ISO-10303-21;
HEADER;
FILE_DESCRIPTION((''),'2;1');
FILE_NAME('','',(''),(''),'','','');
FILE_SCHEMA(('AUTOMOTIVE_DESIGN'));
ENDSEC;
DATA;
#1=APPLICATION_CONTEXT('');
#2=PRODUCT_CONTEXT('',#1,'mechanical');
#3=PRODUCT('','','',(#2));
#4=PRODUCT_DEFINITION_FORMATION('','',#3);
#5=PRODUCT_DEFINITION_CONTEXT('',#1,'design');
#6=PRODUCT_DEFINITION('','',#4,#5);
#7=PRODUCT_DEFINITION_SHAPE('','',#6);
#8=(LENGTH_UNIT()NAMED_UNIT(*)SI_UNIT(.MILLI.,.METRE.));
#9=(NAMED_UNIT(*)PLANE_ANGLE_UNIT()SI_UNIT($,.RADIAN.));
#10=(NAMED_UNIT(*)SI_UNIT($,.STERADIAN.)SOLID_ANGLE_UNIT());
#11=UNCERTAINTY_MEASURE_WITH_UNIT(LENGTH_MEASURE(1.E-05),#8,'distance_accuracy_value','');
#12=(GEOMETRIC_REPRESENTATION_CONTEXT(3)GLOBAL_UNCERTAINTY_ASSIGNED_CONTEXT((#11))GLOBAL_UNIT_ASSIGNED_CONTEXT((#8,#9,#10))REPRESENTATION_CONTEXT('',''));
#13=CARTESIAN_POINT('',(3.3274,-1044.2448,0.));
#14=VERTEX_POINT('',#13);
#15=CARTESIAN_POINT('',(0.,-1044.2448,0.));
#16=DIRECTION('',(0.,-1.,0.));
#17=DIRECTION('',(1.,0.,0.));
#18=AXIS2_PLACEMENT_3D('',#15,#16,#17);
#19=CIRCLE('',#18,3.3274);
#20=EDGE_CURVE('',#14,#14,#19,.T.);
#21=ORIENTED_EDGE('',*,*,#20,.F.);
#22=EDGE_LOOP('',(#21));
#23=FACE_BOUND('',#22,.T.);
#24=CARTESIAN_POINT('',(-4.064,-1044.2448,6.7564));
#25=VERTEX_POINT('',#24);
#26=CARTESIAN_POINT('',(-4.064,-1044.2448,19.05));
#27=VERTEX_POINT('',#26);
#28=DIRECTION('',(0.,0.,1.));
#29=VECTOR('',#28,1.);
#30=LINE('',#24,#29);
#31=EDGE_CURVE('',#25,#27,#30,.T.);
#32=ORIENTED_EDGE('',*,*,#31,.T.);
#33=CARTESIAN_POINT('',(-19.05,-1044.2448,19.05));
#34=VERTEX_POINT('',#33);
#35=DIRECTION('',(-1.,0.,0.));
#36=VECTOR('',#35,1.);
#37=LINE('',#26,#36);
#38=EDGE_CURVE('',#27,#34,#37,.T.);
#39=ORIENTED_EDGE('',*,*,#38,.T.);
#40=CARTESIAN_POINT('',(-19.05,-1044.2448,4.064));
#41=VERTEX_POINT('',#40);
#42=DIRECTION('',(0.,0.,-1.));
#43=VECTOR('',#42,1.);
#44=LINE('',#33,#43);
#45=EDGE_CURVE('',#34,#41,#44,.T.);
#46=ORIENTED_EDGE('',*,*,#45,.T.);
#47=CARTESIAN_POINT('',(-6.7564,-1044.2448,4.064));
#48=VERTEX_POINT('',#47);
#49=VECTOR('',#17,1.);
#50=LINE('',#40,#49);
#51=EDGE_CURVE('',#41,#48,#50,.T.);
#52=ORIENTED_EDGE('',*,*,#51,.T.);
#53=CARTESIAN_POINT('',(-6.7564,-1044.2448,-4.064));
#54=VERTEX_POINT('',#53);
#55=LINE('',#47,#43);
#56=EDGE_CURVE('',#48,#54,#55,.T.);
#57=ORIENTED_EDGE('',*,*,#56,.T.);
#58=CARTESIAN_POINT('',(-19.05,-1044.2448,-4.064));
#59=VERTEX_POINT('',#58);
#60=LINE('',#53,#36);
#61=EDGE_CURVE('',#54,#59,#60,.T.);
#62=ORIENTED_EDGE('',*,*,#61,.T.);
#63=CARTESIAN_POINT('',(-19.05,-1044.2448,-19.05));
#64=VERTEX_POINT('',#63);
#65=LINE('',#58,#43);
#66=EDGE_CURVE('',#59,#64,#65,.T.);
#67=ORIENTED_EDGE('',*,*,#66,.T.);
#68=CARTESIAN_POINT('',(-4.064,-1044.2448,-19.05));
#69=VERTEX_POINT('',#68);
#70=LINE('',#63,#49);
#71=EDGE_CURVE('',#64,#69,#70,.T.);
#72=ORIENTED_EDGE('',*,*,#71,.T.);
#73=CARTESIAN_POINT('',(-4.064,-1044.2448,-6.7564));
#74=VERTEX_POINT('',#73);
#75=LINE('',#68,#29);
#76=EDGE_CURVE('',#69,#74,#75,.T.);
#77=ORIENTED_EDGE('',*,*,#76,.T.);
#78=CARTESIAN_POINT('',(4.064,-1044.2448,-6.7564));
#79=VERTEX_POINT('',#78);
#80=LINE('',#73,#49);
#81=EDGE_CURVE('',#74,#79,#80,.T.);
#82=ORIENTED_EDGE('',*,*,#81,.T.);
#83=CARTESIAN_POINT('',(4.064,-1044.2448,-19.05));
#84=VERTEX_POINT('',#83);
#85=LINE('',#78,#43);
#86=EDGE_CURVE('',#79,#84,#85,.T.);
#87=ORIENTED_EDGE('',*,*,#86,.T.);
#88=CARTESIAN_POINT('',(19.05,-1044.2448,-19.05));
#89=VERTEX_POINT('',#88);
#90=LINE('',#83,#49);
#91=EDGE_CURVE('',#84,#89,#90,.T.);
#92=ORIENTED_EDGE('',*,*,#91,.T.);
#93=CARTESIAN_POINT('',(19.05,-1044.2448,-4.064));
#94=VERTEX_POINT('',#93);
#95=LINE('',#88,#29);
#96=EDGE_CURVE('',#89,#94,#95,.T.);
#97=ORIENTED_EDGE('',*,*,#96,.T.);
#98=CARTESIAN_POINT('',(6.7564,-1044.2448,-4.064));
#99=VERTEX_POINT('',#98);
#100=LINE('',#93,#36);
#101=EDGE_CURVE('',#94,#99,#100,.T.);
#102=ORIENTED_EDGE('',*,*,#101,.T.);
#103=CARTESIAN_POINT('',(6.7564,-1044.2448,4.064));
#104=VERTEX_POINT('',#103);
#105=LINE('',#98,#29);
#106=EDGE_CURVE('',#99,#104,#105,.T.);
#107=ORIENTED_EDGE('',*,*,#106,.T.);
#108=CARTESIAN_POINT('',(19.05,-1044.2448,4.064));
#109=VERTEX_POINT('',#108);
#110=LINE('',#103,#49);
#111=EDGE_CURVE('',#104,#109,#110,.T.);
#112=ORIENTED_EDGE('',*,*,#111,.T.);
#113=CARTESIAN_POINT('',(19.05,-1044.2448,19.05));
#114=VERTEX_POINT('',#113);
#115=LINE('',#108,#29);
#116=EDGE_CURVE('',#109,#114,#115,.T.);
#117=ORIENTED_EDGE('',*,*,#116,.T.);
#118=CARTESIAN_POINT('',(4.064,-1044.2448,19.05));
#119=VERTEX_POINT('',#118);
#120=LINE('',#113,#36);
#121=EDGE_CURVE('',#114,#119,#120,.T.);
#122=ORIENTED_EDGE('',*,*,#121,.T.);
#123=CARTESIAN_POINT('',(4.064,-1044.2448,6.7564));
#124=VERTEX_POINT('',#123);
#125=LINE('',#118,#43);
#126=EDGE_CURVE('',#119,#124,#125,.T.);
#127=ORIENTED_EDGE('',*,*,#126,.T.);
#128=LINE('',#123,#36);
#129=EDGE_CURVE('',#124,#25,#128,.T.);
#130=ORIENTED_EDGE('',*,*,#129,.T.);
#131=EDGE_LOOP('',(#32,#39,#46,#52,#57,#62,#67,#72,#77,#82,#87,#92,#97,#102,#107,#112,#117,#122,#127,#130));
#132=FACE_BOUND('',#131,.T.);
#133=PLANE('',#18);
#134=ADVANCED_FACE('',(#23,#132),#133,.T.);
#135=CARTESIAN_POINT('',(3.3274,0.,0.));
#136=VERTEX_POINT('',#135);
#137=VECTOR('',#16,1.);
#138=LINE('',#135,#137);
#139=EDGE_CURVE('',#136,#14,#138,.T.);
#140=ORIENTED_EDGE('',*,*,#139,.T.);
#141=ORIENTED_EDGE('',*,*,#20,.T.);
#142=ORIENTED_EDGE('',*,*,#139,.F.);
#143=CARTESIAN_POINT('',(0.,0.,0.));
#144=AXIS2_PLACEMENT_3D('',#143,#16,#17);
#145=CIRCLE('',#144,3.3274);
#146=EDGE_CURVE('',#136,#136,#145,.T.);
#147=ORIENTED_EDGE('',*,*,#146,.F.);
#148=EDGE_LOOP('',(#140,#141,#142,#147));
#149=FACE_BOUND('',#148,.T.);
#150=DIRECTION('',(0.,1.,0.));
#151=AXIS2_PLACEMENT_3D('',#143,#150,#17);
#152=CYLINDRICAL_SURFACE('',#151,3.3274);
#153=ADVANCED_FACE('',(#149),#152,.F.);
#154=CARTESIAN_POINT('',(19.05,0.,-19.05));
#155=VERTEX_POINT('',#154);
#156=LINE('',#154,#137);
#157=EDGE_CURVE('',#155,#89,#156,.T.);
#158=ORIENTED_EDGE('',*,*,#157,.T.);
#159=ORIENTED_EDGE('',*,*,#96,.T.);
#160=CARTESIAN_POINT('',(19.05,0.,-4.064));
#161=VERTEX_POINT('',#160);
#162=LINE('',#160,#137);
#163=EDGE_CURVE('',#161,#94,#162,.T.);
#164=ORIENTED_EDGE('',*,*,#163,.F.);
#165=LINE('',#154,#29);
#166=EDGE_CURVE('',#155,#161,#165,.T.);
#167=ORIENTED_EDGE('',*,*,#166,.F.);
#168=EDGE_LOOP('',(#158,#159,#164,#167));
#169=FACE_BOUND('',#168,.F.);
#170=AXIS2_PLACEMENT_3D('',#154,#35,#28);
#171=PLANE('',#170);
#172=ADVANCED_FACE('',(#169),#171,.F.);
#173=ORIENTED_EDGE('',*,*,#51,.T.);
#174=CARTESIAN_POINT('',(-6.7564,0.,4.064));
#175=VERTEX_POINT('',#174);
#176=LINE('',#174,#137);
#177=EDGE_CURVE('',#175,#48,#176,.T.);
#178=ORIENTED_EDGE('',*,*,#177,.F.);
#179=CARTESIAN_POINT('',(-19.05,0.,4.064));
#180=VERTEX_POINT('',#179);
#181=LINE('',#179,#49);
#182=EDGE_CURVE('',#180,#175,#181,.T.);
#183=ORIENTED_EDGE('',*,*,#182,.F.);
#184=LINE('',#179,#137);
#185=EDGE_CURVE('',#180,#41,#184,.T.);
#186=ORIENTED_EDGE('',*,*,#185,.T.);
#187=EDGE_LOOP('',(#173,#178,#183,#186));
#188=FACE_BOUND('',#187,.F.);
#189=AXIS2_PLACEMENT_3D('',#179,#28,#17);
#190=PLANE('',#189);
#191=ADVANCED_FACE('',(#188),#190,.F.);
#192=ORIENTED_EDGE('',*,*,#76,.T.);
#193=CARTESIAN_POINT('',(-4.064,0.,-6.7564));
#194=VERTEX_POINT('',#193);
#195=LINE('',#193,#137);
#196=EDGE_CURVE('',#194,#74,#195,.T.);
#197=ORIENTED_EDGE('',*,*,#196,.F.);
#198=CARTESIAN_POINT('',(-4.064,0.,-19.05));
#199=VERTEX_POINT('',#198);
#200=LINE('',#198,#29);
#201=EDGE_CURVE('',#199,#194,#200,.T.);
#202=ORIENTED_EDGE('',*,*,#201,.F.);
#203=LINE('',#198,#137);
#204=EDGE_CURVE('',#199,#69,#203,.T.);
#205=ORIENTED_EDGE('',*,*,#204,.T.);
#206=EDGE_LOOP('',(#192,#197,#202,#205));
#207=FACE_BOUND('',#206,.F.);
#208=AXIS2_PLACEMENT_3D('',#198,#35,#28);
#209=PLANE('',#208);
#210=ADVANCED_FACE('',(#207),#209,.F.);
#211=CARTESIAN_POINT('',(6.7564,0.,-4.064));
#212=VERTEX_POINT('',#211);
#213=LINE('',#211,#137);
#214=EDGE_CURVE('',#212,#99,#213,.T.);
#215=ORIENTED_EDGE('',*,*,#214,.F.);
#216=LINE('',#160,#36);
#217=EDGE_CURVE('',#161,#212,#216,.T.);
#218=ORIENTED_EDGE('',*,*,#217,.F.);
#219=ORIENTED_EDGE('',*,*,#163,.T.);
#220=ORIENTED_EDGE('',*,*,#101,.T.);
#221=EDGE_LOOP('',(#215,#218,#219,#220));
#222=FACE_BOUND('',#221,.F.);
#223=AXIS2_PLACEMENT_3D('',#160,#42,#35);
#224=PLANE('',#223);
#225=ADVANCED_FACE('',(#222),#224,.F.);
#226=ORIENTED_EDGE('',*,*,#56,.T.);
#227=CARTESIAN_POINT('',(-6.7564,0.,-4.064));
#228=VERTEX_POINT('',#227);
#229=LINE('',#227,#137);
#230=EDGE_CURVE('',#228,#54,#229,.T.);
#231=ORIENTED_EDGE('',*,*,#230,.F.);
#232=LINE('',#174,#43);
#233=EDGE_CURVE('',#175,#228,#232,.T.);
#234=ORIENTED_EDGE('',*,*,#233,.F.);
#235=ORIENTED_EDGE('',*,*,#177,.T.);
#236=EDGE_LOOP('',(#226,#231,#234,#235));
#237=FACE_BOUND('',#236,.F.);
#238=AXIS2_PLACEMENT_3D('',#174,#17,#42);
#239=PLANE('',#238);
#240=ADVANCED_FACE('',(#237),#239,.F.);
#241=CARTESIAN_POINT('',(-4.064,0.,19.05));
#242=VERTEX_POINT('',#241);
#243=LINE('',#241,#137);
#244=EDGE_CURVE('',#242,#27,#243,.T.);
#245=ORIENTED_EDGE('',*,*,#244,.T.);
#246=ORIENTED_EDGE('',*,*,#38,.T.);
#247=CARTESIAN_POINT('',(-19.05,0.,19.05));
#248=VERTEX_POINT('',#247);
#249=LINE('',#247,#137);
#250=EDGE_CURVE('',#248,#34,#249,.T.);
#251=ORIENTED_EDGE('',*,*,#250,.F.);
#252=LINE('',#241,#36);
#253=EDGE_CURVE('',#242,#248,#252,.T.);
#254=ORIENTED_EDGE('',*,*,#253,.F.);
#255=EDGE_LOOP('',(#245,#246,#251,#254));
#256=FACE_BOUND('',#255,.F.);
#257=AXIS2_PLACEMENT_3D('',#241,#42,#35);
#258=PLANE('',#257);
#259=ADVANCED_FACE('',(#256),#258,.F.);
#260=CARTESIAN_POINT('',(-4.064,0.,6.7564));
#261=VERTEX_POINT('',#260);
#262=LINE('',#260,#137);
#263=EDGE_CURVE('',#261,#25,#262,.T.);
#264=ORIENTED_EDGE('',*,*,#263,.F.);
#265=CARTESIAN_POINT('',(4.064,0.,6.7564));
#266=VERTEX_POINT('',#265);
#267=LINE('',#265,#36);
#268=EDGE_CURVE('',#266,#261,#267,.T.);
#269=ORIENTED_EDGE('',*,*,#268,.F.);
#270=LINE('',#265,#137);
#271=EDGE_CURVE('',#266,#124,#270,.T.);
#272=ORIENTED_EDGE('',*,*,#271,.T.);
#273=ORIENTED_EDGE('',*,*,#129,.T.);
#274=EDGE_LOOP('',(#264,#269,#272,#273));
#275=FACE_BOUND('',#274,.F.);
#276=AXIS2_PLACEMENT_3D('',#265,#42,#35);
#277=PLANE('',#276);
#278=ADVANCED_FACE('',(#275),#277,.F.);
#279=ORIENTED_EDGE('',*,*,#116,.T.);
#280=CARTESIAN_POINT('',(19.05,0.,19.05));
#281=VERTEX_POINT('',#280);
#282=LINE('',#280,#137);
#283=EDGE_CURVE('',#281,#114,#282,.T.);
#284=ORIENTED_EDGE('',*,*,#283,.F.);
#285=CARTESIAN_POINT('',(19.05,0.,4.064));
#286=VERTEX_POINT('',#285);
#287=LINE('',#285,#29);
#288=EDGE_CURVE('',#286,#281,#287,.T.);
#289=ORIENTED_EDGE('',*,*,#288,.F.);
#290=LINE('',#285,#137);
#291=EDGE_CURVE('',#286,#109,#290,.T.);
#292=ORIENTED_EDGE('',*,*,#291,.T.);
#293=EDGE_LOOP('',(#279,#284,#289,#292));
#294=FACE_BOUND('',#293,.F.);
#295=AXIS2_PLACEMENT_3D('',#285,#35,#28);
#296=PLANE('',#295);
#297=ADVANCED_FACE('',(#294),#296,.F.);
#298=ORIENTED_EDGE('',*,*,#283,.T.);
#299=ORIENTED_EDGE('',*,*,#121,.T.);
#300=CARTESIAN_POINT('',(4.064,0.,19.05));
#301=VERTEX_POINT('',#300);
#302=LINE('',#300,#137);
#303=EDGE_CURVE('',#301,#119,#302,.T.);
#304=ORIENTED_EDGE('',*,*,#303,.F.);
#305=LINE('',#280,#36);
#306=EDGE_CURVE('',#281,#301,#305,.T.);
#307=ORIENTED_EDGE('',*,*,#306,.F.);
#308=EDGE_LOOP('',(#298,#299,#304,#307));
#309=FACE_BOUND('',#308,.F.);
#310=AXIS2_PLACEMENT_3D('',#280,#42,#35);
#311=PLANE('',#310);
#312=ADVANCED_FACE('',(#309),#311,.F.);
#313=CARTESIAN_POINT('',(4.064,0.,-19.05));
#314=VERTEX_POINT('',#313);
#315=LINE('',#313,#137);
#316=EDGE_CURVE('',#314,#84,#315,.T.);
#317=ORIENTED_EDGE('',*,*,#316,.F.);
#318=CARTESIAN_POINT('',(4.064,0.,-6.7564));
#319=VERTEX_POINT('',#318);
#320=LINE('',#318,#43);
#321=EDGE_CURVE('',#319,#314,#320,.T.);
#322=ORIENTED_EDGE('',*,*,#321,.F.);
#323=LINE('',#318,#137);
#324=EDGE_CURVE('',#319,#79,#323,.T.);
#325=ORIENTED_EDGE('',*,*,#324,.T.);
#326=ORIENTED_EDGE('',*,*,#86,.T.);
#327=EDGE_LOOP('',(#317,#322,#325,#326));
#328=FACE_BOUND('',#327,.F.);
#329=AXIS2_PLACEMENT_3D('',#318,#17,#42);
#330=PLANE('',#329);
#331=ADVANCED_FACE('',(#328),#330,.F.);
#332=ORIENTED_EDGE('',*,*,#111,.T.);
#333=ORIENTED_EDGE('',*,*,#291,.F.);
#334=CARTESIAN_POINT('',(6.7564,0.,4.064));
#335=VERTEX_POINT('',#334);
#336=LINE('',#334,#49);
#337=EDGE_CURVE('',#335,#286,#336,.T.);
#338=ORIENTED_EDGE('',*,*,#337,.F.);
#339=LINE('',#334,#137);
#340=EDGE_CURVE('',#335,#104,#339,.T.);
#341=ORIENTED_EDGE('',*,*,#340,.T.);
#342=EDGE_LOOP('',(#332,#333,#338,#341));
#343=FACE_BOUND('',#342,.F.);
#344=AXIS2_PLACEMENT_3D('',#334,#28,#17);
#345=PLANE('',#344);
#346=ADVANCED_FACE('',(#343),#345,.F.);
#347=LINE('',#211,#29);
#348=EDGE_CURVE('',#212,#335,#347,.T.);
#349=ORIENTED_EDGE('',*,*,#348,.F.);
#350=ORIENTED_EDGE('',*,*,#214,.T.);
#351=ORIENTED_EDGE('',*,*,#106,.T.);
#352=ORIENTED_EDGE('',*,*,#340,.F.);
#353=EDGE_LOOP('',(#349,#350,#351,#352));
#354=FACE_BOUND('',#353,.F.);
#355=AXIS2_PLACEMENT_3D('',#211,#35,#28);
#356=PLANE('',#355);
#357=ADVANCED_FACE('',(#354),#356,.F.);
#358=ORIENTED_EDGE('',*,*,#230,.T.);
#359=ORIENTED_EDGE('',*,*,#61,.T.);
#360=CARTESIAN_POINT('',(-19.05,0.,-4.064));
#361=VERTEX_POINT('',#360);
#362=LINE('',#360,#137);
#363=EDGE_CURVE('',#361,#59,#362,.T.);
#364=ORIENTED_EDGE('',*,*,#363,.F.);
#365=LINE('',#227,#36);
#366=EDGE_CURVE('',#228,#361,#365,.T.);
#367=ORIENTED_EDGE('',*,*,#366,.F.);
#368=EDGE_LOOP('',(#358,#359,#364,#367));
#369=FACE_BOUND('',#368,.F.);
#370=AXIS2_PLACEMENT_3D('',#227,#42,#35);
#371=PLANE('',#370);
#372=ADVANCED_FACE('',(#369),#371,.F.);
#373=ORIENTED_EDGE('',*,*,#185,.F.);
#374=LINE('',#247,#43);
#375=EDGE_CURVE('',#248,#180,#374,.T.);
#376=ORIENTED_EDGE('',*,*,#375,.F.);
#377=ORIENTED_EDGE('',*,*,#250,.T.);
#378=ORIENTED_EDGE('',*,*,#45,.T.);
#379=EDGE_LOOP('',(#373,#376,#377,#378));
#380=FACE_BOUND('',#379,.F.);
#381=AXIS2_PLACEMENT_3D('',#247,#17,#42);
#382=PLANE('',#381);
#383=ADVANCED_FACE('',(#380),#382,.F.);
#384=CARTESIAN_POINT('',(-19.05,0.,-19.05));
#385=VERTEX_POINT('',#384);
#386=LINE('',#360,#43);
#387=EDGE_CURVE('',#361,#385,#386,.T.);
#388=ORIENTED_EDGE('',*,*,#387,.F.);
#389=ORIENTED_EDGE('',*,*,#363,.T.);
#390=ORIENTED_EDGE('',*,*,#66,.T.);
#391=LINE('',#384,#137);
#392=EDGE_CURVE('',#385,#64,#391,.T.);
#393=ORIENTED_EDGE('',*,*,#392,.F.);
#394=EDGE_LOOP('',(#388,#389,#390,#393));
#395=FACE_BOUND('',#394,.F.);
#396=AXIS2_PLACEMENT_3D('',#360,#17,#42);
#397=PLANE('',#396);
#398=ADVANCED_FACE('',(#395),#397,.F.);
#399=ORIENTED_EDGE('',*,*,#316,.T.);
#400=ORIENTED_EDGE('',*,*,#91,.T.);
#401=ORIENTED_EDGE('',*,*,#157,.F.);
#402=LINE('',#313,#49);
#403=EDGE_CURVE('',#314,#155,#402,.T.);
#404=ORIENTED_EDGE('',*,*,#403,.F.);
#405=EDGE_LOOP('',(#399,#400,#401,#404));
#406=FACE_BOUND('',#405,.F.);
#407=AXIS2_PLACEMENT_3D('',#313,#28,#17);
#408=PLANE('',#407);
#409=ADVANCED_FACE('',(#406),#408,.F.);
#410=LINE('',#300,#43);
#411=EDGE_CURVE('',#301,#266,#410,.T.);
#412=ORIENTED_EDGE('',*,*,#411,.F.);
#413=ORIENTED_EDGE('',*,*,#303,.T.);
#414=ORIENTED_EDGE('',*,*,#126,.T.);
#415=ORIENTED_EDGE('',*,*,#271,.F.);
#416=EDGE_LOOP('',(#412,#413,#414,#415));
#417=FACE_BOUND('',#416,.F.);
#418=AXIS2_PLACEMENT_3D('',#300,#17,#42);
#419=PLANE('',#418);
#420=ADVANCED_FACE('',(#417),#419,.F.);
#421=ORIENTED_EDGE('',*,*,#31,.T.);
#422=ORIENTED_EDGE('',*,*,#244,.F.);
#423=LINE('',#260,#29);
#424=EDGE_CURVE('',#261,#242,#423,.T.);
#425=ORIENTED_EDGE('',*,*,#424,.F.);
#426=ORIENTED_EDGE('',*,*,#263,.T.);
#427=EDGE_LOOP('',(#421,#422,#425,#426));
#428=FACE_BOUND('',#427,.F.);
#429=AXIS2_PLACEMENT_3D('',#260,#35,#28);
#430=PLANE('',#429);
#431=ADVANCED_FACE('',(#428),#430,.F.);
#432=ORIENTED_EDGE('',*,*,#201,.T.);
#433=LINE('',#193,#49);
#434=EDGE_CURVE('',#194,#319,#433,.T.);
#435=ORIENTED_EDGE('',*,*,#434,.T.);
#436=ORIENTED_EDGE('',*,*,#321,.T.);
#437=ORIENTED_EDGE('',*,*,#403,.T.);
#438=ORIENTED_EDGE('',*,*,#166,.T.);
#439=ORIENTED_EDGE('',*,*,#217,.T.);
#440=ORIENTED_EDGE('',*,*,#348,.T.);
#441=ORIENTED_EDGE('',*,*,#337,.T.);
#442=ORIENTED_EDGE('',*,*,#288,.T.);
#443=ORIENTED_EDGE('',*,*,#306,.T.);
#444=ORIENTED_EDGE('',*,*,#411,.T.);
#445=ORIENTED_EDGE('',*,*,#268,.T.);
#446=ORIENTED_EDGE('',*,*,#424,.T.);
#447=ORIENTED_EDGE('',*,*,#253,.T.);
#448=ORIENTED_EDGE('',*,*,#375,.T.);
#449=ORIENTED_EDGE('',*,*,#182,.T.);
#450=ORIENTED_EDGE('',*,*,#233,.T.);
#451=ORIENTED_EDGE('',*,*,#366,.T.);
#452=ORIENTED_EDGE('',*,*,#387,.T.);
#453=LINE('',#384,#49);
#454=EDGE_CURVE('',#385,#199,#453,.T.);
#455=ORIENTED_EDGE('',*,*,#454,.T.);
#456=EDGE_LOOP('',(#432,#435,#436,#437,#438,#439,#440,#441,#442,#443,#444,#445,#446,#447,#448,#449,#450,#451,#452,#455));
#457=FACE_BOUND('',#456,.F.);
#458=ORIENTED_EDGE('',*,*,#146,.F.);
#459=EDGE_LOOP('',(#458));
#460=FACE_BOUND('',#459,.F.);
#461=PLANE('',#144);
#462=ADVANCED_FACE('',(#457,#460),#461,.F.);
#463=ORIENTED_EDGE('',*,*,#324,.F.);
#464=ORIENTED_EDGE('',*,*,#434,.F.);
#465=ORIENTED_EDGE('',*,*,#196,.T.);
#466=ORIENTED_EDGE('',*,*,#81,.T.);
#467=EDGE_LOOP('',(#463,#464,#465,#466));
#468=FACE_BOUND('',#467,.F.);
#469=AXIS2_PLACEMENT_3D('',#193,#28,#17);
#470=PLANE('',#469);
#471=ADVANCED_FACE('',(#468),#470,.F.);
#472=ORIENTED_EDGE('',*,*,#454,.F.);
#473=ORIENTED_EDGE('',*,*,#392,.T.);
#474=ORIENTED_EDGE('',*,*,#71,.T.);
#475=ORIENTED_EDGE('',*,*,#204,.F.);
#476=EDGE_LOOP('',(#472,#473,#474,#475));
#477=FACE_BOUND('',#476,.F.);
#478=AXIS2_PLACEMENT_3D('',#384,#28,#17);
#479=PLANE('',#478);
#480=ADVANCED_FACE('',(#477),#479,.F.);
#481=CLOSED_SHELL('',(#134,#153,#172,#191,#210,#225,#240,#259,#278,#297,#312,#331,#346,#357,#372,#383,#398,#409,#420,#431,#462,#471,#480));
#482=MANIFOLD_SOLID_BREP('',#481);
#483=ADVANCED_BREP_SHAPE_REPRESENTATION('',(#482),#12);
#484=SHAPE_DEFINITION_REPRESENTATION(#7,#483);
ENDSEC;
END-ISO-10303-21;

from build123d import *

# Parameters (mm, degrees)
F0_R     = 3.3274
F1_DEPTH = 1044.2448


with BuildPart() as f1:
    # F0 (on Front) → F1 (new body)
    with BuildSketch(Plane.XZ):
        Polygon((4.064, 19.05), (4.064, 6.7564), (-4.064, 6.7564), (-4.064, 19.05), (-19.05, 19.05), (-19.05, 4.064), (-6.7564, 4.064), (-6.7564, -4.064), (-19.05, -4.064), (-19.05, -19.05), (-4.064, -19.05), (-4.064, -6.7564), (4.064, -6.7564), (4.064, -19.05), (19.05, -19.05), (19.05, -4.064), (6.7564, -4.064), (6.7564, 4.064), (19.05, 4.064), (19.05, 19.05), align=None)
        Circle(F0_R, mode=Mode.SUBTRACT)
    extrude(amount=F1_DEPTH)


solid = f1.part
